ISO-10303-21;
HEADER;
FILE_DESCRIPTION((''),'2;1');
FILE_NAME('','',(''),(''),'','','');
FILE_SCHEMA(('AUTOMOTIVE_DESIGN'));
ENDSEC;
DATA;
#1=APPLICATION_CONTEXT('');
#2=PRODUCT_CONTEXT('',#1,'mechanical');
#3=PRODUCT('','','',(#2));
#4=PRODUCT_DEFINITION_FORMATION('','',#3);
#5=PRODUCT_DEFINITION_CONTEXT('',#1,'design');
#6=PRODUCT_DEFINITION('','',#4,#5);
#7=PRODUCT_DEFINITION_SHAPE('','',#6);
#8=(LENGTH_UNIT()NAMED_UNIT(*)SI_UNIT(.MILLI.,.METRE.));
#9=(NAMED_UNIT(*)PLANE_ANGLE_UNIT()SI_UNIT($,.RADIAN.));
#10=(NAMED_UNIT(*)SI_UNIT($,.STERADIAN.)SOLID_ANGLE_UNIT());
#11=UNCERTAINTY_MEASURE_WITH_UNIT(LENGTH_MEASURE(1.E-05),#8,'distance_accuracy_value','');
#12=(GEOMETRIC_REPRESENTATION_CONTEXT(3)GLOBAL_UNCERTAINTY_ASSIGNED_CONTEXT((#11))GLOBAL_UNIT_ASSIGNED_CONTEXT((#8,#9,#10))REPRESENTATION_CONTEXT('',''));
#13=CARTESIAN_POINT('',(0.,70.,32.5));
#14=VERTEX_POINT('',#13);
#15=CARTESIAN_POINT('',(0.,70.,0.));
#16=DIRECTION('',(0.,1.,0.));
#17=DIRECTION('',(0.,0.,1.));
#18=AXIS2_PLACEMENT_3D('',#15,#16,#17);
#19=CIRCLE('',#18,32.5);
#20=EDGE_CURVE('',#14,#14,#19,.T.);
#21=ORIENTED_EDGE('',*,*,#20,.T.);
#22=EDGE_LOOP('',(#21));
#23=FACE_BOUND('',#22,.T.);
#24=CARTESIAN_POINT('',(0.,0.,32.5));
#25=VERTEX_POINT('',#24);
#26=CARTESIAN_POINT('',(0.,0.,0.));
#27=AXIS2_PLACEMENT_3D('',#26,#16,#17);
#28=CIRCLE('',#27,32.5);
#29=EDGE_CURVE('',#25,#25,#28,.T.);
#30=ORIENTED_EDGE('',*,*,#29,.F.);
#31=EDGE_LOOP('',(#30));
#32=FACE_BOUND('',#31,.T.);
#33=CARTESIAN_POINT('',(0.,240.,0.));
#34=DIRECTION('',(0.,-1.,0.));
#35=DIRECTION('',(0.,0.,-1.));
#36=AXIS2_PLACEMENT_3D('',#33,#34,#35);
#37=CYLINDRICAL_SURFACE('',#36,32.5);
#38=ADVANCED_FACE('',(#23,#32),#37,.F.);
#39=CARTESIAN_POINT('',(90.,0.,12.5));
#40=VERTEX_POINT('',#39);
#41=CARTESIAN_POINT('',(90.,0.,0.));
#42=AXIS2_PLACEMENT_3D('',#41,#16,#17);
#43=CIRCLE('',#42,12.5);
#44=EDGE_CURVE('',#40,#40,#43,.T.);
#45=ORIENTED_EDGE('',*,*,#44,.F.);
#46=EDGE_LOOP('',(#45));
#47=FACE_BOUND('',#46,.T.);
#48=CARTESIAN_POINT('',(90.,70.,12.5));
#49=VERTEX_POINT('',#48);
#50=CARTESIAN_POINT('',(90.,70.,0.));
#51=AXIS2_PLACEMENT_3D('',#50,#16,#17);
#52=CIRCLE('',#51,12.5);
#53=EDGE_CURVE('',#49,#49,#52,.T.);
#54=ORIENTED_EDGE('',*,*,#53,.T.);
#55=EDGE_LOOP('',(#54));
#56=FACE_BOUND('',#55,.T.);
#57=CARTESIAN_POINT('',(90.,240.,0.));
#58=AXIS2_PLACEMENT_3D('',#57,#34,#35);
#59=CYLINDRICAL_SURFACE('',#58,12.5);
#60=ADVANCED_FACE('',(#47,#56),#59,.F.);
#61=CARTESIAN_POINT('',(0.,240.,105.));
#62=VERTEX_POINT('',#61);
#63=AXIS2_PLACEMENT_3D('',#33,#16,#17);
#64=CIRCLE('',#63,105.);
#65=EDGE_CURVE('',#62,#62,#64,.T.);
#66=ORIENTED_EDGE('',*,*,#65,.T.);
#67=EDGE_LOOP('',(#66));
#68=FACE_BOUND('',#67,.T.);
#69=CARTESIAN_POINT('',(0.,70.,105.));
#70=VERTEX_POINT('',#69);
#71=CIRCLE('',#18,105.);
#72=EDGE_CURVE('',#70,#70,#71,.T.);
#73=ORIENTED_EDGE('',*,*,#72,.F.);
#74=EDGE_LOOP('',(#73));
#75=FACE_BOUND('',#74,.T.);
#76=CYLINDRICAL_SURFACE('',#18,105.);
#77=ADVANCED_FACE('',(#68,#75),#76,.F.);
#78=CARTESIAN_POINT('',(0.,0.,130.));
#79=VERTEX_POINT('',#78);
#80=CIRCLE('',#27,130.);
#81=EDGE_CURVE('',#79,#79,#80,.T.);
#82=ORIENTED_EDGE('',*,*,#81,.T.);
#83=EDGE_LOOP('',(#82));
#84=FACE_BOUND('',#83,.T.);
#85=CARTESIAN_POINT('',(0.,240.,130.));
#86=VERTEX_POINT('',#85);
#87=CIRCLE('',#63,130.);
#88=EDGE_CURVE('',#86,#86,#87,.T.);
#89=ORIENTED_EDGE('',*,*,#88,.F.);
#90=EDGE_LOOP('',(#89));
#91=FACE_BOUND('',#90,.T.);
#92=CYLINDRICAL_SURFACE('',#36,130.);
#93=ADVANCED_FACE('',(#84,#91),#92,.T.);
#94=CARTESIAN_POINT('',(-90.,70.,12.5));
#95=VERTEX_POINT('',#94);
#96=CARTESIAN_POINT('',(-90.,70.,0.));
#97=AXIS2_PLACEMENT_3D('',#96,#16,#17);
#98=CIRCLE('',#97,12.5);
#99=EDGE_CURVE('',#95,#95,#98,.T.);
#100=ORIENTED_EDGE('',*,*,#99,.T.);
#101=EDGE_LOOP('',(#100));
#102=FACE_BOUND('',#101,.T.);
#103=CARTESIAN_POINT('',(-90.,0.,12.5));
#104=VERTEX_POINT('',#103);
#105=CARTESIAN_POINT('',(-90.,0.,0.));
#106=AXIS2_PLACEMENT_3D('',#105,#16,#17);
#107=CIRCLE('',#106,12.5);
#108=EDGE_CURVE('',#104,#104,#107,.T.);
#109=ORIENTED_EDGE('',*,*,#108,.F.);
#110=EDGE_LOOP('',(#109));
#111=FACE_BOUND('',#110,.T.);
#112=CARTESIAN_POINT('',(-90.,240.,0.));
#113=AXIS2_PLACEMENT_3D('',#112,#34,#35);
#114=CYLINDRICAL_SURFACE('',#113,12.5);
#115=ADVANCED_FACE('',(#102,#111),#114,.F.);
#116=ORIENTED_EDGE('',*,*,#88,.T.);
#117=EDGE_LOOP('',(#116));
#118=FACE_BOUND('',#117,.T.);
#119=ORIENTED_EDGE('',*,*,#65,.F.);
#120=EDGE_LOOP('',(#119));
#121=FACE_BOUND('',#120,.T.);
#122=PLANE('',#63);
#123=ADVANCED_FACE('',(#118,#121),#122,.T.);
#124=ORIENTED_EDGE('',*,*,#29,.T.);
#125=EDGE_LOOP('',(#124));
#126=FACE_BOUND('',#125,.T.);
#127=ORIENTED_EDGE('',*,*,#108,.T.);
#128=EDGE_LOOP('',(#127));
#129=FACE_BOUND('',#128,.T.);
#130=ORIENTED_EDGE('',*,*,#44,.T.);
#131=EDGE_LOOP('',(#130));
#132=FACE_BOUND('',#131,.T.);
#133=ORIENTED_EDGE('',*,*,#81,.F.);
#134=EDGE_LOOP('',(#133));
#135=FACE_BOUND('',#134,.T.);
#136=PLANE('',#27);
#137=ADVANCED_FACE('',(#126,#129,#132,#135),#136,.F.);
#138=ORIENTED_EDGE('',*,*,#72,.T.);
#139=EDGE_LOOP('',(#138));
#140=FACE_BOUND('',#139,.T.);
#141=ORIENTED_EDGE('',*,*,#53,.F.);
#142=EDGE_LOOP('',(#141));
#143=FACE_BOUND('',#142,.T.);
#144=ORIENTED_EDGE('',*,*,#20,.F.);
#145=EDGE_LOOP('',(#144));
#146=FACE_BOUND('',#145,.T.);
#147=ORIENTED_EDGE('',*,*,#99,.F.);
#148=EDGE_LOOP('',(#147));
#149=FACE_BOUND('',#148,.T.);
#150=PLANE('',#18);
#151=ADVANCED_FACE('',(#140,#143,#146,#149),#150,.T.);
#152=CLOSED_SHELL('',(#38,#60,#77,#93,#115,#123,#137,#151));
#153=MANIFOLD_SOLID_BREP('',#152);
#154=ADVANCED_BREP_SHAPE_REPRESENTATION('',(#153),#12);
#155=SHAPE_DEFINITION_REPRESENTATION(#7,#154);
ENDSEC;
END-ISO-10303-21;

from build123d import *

# Parameters (mm, degrees)
SKETCH1_R               = 130
BOSS_EXTRUDE1_DEPTH     = 240
SKETCH2_R               = 105
CUT_EXTRUDE1_DEPTH      = 170
CUT_EXTRUDE2_DEPTH      = 303.324329157
CUT_EXTRUDE2_DEPTH_BACK = 303.324329157
SKETCH3_R               = 12.5
SKETCH3_R_2             = 32.5


with BuildPart() as part:
    # Sketch1 → Boss-Extrude1 (new body)
    with BuildSketch(Plane(origin=(0, 0, 0), x_dir=(1, 0, 0), z_dir=(0, 1, 0))):
        with Locations(Location((0, 0, 0), (0, 0, 270))):
            Circle(SKETCH1_R)
    extrude(amount=BOSS_EXTRUDE1_DEPTH)

    # Sketch2 → Cut-Extrude1 (cut)
    with BuildSketch(Plane(origin=(0, 240, 0), x_dir=(1, 0, 0), z_dir=(0, 1, 0))):
        with Locations(Location((0, 0, 0), (0, 0, 270))):
            Circle(SKETCH2_R)
    extrude(amount=-CUT_EXTRUDE1_DEPTH, mode=Mode.SUBTRACT)

    # Sketch3 → Cut-Extrude2 (cut, two sides: drawn at the far end of the back side and taken through both)
    with BuildSketch(Plane.XZ.offset(-CUT_EXTRUDE2_DEPTH_BACK)):
        with Locations(Location((-90, 0, 0), (0, 0, 90))):
            Circle(SKETCH3_R)
        with Locations(Location((90, 0, 0), (0, 0, 90))):
            Circle(SKETCH3_R)
        with Locations(Location((0, 0, 0), (0, 0, 90))):
            Circle(SKETCH3_R_2)
    extrude(amount=CUT_EXTRUDE2_DEPTH + CUT_EXTRUDE2_DEPTH_BACK, mode=Mode.SUBTRACT)


solid = part.part
